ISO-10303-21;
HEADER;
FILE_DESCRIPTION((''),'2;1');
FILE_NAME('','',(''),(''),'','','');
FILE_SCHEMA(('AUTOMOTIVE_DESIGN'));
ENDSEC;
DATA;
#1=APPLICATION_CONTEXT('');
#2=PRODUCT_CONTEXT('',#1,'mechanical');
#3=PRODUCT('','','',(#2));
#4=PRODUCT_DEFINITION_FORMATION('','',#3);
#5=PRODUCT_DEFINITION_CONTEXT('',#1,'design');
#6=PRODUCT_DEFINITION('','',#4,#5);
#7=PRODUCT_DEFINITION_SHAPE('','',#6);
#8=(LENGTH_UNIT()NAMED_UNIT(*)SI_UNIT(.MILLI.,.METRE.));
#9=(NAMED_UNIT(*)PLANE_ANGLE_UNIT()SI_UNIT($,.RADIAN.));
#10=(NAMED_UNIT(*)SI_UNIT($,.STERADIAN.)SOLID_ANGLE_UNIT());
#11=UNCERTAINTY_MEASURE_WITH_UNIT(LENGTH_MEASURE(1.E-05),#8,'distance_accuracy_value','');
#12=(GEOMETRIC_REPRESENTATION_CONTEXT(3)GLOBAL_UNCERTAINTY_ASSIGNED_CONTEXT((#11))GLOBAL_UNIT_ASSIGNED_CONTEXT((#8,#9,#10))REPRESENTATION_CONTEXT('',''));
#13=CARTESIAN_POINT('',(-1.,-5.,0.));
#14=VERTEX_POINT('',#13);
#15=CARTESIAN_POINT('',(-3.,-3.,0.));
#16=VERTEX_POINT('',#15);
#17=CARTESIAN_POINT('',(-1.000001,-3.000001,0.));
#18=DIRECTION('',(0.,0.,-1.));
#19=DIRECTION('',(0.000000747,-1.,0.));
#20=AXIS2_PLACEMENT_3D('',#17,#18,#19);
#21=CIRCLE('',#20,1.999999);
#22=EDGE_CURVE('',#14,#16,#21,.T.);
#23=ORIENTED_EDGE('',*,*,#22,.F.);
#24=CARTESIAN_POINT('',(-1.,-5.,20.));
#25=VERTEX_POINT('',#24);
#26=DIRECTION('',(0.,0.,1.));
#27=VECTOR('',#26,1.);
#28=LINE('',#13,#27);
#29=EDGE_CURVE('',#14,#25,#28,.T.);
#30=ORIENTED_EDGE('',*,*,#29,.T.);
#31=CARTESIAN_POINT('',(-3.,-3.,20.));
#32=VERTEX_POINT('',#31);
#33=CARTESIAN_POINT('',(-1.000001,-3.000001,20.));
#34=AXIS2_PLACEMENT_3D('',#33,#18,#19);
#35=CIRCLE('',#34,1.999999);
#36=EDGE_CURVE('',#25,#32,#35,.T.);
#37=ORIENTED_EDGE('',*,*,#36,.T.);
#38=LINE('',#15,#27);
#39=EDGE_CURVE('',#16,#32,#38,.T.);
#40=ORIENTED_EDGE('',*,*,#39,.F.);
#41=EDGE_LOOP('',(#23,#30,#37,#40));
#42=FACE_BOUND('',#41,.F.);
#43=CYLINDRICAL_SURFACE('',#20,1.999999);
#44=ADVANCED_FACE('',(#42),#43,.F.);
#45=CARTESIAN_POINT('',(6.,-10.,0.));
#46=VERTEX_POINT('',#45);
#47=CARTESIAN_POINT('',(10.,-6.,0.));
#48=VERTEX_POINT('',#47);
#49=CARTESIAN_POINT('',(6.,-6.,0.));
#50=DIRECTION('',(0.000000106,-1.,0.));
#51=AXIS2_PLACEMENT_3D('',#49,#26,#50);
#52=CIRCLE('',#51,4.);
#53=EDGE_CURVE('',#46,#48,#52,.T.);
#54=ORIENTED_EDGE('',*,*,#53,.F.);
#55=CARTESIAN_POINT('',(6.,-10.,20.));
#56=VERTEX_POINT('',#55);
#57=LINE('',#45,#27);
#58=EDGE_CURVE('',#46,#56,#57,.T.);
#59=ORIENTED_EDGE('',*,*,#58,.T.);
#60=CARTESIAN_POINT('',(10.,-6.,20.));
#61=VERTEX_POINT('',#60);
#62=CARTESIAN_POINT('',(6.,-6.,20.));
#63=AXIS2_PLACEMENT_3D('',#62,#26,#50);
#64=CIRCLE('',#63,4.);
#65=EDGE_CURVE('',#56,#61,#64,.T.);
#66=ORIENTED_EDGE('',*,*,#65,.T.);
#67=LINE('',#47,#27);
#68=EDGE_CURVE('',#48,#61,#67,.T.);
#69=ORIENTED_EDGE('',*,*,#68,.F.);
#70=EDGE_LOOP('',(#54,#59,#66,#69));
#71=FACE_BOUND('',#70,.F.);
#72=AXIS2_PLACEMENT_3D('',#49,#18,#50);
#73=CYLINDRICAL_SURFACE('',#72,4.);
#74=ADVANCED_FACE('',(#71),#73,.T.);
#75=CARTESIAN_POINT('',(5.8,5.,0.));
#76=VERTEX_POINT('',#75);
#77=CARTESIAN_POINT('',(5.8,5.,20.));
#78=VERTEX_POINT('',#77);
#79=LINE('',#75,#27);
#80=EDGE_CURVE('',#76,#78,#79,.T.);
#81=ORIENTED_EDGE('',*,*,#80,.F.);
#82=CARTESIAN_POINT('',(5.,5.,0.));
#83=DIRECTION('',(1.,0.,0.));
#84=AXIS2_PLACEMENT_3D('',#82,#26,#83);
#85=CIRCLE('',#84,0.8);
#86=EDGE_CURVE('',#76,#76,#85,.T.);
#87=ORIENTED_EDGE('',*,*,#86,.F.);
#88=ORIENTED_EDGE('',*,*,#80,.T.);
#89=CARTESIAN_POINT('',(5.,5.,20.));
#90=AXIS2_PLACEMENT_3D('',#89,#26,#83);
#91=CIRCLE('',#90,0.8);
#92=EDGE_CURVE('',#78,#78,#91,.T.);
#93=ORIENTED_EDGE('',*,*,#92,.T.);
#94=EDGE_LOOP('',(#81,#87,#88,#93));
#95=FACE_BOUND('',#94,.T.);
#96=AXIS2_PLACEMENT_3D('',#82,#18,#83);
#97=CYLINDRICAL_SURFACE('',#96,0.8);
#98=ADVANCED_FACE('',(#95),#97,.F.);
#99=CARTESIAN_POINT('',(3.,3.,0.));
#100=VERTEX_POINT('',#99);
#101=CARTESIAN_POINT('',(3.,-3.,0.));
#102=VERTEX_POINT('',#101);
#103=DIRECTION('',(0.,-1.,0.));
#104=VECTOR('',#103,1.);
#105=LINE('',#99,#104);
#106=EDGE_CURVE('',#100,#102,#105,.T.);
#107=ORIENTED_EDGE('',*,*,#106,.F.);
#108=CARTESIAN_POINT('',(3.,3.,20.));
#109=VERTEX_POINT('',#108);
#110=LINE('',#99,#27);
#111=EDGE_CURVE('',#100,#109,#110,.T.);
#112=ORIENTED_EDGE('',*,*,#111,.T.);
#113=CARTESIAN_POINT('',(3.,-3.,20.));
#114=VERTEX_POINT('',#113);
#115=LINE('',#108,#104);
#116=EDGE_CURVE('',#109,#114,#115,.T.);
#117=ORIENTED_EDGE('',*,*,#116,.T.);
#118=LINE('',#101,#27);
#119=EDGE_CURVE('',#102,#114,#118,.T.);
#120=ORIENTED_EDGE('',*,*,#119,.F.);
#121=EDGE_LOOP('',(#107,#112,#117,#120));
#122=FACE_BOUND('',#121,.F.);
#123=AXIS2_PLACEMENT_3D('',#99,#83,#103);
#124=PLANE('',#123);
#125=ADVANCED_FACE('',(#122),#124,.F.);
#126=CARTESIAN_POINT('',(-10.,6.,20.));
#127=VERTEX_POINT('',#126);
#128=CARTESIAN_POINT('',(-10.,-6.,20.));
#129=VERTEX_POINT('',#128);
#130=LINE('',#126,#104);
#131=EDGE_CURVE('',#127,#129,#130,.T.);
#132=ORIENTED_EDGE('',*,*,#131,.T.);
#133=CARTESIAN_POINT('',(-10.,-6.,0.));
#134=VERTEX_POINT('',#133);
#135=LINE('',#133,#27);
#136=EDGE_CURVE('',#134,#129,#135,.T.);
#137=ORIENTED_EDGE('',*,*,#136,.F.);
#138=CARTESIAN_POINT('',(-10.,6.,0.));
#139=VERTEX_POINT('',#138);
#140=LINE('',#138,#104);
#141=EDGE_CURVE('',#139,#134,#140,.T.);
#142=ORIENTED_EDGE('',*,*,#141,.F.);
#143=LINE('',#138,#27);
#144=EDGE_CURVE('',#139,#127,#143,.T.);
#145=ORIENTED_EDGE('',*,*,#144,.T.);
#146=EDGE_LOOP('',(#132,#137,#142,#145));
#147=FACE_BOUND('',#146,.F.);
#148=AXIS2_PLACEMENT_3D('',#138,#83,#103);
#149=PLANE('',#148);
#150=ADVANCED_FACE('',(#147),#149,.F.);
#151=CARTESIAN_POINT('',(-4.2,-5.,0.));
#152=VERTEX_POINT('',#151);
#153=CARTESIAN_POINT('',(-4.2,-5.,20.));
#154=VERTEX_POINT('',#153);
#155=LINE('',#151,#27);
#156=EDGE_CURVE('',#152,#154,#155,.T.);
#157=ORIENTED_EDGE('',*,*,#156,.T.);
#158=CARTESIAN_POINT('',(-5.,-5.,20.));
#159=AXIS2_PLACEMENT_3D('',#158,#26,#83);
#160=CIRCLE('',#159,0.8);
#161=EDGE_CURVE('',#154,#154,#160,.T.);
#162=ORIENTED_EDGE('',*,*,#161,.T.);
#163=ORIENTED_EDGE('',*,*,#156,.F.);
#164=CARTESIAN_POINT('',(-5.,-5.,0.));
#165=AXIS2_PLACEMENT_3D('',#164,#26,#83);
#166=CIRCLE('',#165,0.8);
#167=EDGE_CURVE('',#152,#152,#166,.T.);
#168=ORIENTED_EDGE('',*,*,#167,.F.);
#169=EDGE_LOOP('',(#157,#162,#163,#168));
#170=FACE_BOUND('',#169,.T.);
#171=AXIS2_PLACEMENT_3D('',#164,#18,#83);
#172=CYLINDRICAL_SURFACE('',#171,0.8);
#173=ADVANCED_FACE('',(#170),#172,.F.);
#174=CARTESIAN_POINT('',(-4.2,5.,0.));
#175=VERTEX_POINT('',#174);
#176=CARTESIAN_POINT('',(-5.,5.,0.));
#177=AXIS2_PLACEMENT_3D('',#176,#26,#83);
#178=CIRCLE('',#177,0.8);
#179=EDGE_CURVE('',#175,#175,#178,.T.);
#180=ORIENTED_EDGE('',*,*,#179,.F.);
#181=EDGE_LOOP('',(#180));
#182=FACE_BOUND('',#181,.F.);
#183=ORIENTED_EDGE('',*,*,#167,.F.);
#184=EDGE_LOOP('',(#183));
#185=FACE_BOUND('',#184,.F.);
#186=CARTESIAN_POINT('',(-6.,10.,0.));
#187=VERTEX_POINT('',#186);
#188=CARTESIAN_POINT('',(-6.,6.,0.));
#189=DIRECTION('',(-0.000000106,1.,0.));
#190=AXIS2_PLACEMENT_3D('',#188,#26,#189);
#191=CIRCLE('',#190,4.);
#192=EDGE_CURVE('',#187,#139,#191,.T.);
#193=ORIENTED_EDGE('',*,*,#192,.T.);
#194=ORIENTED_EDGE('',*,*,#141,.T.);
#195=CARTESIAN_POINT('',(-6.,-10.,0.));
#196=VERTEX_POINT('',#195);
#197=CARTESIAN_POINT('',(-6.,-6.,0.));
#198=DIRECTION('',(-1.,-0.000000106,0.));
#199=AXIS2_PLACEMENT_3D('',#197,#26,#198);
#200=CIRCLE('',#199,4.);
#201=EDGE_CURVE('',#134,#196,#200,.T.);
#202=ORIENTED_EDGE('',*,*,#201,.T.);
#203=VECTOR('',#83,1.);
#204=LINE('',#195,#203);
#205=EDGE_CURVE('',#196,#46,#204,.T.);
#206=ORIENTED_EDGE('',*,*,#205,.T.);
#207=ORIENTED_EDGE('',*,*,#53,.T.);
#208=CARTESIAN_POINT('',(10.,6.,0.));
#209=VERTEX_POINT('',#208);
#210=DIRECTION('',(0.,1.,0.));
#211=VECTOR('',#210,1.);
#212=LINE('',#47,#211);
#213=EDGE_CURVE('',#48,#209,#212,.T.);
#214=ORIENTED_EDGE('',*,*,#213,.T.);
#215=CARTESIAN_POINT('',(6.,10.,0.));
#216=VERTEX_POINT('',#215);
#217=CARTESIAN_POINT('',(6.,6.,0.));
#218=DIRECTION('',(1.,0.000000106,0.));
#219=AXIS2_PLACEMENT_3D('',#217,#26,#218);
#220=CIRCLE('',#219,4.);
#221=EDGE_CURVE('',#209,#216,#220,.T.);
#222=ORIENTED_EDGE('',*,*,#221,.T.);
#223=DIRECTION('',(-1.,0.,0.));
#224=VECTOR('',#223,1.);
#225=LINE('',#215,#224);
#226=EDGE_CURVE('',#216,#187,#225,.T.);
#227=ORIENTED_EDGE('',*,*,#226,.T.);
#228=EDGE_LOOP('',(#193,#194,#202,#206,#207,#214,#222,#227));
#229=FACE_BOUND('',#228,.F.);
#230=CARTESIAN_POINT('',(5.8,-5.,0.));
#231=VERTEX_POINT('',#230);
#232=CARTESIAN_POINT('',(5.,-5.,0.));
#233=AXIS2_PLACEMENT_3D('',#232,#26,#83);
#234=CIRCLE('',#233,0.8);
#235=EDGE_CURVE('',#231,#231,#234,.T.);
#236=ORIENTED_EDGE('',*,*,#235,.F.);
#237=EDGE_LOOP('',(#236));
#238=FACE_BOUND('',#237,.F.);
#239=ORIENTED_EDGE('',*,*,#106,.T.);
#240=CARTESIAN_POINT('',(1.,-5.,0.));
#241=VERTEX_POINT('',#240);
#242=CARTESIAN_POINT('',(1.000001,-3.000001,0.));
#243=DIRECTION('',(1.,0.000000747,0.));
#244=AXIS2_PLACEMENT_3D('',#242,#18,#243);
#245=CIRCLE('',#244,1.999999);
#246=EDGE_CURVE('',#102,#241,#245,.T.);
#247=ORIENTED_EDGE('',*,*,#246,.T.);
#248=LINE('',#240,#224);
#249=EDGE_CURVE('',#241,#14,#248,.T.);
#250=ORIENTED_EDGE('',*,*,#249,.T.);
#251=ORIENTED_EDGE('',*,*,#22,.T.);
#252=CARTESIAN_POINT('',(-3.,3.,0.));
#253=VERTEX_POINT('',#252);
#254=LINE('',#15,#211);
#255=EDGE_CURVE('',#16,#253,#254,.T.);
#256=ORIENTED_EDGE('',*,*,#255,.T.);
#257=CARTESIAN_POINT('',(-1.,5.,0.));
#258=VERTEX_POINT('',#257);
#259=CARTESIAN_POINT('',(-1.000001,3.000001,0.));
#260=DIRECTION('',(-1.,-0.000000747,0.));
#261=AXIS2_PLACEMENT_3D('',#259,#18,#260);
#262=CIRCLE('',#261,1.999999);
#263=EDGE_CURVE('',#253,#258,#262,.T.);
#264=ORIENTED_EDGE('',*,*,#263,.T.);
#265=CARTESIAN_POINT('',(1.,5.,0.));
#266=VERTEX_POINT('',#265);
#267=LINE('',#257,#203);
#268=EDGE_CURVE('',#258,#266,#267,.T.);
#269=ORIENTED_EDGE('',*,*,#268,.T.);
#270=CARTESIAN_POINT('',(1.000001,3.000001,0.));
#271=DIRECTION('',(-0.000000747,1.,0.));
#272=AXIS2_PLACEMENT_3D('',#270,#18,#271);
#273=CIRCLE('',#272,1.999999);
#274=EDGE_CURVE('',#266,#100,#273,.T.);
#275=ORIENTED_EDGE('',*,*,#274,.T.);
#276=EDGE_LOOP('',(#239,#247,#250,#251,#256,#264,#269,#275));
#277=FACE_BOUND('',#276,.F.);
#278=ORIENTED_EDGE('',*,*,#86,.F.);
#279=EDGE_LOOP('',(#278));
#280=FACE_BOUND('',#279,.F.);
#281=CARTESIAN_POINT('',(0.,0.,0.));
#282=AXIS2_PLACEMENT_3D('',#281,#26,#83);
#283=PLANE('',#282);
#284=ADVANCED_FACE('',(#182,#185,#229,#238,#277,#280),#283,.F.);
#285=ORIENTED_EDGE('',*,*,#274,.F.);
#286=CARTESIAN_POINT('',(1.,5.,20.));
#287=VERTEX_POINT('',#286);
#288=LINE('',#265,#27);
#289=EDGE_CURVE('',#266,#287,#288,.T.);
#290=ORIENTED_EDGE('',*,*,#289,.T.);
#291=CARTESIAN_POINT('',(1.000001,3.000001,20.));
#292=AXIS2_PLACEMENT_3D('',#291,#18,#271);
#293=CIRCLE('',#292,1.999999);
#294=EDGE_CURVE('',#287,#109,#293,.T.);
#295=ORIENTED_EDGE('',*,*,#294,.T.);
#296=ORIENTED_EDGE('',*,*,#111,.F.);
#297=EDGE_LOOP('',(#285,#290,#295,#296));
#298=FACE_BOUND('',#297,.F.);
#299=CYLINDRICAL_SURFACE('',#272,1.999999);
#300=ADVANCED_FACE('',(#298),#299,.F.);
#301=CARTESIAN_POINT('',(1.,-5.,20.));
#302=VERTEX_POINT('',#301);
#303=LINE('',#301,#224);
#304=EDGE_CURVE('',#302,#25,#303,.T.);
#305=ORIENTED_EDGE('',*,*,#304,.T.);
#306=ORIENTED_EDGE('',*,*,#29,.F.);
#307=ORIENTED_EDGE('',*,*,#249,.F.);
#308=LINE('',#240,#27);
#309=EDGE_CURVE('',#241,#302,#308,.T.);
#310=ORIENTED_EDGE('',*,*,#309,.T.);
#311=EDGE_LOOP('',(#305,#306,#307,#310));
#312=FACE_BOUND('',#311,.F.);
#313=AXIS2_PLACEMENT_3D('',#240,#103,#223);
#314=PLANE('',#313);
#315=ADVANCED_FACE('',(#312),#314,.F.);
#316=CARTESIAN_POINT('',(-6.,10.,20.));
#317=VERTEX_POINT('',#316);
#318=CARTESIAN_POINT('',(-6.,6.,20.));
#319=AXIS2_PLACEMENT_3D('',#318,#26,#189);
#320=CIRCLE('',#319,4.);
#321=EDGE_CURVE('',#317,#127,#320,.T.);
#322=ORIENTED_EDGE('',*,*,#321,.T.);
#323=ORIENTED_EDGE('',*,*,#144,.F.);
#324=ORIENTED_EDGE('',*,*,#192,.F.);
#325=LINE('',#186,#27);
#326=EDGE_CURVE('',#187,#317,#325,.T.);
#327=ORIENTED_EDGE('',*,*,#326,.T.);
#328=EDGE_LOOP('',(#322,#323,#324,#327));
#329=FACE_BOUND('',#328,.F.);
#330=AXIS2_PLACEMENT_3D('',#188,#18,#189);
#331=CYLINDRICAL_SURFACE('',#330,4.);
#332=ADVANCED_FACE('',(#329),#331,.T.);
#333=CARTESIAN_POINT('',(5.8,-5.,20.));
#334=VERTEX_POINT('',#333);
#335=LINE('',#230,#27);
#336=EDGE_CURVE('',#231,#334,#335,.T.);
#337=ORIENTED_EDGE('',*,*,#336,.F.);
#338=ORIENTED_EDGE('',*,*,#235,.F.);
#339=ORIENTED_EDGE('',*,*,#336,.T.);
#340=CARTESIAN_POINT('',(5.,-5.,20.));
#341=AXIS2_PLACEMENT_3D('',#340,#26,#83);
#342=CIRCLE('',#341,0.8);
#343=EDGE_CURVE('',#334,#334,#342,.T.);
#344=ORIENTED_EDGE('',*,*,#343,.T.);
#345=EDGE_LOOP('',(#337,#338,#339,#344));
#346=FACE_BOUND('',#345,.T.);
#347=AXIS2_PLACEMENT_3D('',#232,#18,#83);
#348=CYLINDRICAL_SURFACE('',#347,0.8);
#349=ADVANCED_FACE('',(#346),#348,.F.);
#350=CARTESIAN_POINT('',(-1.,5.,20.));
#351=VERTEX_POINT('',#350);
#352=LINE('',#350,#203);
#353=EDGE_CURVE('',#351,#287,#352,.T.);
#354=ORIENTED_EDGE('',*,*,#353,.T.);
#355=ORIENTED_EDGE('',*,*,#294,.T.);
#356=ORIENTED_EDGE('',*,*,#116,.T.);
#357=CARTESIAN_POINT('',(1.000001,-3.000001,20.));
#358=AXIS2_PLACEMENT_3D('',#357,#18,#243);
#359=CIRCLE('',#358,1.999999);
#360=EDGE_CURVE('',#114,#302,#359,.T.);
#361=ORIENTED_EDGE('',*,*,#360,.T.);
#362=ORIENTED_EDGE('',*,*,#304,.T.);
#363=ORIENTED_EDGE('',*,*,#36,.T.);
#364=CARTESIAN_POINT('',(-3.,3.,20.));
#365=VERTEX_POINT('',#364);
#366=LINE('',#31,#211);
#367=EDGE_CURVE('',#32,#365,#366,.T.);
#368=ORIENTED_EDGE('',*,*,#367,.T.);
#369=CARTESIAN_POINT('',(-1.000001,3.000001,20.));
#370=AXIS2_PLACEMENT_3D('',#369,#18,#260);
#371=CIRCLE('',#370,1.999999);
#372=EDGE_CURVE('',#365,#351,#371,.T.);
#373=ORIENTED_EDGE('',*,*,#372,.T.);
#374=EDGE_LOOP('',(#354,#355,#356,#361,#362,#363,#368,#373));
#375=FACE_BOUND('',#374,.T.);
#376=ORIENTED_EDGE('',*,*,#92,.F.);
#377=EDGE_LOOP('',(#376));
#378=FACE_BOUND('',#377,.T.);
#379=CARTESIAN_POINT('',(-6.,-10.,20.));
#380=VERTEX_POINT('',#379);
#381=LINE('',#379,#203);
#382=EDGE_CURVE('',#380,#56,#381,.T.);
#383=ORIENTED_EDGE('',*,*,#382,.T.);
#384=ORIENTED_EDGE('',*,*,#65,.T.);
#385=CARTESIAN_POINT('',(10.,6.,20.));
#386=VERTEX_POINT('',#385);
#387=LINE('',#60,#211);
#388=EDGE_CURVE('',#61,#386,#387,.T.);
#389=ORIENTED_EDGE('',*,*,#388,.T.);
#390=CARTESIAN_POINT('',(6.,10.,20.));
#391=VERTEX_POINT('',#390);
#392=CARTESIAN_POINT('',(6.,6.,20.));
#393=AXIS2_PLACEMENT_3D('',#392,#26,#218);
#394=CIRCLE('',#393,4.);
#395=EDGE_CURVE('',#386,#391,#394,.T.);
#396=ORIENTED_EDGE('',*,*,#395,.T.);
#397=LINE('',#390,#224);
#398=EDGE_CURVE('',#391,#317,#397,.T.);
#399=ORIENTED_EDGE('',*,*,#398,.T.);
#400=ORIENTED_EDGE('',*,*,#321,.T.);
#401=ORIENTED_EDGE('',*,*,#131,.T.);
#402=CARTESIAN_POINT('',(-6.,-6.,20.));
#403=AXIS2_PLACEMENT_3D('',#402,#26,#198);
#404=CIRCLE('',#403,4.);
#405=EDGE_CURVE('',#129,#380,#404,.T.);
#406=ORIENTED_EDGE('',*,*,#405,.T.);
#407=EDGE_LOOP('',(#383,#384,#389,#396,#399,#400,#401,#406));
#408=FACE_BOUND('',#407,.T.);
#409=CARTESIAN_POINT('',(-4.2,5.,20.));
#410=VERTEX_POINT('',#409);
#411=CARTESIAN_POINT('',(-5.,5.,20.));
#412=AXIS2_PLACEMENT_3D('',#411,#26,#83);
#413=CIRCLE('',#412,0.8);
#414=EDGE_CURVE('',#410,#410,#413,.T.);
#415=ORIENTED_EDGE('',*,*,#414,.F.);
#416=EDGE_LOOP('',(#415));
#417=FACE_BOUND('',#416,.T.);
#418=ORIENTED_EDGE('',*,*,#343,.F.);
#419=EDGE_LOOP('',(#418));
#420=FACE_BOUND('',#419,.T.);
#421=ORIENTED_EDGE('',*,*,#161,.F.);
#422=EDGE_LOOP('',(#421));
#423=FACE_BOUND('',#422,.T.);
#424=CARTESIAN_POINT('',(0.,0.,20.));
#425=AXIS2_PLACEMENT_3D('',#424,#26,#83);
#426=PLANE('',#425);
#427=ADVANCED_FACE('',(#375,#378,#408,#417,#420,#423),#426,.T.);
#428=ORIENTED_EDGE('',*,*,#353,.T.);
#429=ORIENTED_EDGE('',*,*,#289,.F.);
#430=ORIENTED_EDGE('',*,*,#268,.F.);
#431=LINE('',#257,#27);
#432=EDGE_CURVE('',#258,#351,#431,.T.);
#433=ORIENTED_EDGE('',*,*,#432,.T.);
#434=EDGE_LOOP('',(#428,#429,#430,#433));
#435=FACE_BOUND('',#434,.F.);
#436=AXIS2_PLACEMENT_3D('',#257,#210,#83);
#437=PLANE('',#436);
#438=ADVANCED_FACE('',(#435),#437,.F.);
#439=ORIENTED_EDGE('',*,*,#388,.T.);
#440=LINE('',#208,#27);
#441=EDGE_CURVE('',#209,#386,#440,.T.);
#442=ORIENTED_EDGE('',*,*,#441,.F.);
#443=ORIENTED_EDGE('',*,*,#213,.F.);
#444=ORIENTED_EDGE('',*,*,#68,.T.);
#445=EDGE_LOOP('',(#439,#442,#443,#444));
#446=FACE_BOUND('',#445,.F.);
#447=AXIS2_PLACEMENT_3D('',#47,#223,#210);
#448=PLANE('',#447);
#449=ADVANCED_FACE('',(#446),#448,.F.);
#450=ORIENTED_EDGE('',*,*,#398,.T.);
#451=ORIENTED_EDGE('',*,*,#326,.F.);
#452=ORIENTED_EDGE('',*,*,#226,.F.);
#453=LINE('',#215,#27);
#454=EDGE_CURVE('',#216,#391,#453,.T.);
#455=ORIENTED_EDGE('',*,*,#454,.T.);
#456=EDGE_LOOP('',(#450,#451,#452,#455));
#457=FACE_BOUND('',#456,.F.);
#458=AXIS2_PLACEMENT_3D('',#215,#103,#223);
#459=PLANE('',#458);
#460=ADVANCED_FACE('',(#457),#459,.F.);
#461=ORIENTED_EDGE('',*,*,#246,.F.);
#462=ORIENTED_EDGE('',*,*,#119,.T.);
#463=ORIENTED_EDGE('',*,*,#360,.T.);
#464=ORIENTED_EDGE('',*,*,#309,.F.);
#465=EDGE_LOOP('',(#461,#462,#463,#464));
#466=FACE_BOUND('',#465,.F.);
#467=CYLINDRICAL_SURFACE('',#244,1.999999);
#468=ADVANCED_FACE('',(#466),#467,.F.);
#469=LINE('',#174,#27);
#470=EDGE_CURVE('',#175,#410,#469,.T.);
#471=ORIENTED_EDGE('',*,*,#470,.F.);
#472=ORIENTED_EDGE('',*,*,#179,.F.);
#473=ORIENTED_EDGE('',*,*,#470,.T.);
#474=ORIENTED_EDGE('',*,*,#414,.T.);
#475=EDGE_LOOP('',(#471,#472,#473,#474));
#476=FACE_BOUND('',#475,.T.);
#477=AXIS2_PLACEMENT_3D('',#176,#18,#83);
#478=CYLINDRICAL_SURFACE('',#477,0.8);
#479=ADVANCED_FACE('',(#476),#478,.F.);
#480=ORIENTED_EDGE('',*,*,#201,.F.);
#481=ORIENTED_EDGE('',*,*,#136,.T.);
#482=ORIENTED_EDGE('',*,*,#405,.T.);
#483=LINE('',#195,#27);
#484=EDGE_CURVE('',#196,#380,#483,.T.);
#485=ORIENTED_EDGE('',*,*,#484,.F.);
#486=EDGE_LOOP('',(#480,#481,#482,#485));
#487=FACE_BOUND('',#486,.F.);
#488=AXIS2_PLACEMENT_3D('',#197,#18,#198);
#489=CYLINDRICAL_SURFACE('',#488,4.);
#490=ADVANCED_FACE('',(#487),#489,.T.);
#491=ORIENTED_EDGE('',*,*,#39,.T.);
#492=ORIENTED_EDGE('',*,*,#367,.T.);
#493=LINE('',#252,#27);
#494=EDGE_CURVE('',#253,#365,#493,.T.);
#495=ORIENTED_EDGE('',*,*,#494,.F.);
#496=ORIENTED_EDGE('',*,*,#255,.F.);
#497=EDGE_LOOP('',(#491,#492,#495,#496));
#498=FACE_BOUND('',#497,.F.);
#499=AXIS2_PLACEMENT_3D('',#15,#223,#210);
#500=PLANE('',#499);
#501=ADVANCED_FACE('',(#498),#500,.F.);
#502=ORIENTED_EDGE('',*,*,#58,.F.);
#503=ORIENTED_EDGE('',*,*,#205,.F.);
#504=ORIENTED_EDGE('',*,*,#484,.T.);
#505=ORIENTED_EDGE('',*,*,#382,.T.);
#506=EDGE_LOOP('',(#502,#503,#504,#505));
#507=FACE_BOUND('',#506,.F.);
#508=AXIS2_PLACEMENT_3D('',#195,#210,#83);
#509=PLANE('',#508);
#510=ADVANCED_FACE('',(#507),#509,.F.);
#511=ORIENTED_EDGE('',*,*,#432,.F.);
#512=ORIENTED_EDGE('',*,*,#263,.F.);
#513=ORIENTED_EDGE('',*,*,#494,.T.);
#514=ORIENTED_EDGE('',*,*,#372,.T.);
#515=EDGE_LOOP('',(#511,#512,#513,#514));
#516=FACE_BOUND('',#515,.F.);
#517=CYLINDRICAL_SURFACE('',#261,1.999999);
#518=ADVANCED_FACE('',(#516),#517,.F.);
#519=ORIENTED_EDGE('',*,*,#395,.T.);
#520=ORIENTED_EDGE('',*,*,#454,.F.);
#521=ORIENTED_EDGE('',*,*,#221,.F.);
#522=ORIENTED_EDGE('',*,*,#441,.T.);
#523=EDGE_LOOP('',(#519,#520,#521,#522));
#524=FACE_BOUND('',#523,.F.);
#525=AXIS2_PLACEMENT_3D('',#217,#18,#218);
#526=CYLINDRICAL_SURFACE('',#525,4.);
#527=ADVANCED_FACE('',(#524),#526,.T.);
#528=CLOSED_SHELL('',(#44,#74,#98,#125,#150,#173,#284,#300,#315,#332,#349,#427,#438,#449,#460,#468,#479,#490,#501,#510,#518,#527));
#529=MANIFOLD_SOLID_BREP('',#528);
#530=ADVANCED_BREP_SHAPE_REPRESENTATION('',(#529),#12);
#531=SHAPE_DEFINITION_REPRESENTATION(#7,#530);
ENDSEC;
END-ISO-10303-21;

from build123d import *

# Parameters (mm, degrees)
F0_R     = 0.8
F1_DEPTH = 20


with BuildPart() as f1:
    # F0 (on Top) → F1 (new body)
    with BuildSketch(Plane.XY):
        with BuildLine():
            Line((6, 10), (-6, 10))
            ThreePointArc((-6, 10), (-8.828427, 8.828427), (-10, 6))
            Line((-10, 6), (-10, -6))
            ThreePointArc((-10, -6), (-8.828427, -8.828427), (-6, -10))
            Line((-6, -10), (6, -10))
            ThreePointArc((6, -10), (8.828427, -8.828427), (10, -6))
            Line((10, -6), (10, 6))
            ThreePointArc((10, 6), (8.828427, 8.828427), (6, 10))
        make_face()
        with Locations((-5, -5)):
            Circle(F0_R, mode=Mode.SUBTRACT)
        with Locations((5, -5)):
            Circle(F0_R, mode=Mode.SUBTRACT)
        with Locations((-5, 5)):
            Circle(F0_R, mode=Mode.SUBTRACT)
        with BuildLine():
            ThreePointArc((-3, 3), (-2.414214, 4.414214), (-1, 5))
            Line((-1, 5), (1, 5))
            ThreePointArc((1, 5), (2.414214, 4.414214), (3, 3))
            Line((3, 3), (3, -3))
            ThreePointArc((3, -3), (2.414214, -4.414214), (1, -5))
            Line((1, -5), (-1, -5))
            ThreePointArc((-1, -5), (-2.414214, -4.414214), (-3, -3))
            Line((-3, -3), (-3, 3))
        make_face(mode=Mode.SUBTRACT)
        with Locations((5, 5)):
            Circle(F0_R, mode=Mode.SUBTRACT)
    extrude(amount=F1_DEPTH)


solid = f1.part
